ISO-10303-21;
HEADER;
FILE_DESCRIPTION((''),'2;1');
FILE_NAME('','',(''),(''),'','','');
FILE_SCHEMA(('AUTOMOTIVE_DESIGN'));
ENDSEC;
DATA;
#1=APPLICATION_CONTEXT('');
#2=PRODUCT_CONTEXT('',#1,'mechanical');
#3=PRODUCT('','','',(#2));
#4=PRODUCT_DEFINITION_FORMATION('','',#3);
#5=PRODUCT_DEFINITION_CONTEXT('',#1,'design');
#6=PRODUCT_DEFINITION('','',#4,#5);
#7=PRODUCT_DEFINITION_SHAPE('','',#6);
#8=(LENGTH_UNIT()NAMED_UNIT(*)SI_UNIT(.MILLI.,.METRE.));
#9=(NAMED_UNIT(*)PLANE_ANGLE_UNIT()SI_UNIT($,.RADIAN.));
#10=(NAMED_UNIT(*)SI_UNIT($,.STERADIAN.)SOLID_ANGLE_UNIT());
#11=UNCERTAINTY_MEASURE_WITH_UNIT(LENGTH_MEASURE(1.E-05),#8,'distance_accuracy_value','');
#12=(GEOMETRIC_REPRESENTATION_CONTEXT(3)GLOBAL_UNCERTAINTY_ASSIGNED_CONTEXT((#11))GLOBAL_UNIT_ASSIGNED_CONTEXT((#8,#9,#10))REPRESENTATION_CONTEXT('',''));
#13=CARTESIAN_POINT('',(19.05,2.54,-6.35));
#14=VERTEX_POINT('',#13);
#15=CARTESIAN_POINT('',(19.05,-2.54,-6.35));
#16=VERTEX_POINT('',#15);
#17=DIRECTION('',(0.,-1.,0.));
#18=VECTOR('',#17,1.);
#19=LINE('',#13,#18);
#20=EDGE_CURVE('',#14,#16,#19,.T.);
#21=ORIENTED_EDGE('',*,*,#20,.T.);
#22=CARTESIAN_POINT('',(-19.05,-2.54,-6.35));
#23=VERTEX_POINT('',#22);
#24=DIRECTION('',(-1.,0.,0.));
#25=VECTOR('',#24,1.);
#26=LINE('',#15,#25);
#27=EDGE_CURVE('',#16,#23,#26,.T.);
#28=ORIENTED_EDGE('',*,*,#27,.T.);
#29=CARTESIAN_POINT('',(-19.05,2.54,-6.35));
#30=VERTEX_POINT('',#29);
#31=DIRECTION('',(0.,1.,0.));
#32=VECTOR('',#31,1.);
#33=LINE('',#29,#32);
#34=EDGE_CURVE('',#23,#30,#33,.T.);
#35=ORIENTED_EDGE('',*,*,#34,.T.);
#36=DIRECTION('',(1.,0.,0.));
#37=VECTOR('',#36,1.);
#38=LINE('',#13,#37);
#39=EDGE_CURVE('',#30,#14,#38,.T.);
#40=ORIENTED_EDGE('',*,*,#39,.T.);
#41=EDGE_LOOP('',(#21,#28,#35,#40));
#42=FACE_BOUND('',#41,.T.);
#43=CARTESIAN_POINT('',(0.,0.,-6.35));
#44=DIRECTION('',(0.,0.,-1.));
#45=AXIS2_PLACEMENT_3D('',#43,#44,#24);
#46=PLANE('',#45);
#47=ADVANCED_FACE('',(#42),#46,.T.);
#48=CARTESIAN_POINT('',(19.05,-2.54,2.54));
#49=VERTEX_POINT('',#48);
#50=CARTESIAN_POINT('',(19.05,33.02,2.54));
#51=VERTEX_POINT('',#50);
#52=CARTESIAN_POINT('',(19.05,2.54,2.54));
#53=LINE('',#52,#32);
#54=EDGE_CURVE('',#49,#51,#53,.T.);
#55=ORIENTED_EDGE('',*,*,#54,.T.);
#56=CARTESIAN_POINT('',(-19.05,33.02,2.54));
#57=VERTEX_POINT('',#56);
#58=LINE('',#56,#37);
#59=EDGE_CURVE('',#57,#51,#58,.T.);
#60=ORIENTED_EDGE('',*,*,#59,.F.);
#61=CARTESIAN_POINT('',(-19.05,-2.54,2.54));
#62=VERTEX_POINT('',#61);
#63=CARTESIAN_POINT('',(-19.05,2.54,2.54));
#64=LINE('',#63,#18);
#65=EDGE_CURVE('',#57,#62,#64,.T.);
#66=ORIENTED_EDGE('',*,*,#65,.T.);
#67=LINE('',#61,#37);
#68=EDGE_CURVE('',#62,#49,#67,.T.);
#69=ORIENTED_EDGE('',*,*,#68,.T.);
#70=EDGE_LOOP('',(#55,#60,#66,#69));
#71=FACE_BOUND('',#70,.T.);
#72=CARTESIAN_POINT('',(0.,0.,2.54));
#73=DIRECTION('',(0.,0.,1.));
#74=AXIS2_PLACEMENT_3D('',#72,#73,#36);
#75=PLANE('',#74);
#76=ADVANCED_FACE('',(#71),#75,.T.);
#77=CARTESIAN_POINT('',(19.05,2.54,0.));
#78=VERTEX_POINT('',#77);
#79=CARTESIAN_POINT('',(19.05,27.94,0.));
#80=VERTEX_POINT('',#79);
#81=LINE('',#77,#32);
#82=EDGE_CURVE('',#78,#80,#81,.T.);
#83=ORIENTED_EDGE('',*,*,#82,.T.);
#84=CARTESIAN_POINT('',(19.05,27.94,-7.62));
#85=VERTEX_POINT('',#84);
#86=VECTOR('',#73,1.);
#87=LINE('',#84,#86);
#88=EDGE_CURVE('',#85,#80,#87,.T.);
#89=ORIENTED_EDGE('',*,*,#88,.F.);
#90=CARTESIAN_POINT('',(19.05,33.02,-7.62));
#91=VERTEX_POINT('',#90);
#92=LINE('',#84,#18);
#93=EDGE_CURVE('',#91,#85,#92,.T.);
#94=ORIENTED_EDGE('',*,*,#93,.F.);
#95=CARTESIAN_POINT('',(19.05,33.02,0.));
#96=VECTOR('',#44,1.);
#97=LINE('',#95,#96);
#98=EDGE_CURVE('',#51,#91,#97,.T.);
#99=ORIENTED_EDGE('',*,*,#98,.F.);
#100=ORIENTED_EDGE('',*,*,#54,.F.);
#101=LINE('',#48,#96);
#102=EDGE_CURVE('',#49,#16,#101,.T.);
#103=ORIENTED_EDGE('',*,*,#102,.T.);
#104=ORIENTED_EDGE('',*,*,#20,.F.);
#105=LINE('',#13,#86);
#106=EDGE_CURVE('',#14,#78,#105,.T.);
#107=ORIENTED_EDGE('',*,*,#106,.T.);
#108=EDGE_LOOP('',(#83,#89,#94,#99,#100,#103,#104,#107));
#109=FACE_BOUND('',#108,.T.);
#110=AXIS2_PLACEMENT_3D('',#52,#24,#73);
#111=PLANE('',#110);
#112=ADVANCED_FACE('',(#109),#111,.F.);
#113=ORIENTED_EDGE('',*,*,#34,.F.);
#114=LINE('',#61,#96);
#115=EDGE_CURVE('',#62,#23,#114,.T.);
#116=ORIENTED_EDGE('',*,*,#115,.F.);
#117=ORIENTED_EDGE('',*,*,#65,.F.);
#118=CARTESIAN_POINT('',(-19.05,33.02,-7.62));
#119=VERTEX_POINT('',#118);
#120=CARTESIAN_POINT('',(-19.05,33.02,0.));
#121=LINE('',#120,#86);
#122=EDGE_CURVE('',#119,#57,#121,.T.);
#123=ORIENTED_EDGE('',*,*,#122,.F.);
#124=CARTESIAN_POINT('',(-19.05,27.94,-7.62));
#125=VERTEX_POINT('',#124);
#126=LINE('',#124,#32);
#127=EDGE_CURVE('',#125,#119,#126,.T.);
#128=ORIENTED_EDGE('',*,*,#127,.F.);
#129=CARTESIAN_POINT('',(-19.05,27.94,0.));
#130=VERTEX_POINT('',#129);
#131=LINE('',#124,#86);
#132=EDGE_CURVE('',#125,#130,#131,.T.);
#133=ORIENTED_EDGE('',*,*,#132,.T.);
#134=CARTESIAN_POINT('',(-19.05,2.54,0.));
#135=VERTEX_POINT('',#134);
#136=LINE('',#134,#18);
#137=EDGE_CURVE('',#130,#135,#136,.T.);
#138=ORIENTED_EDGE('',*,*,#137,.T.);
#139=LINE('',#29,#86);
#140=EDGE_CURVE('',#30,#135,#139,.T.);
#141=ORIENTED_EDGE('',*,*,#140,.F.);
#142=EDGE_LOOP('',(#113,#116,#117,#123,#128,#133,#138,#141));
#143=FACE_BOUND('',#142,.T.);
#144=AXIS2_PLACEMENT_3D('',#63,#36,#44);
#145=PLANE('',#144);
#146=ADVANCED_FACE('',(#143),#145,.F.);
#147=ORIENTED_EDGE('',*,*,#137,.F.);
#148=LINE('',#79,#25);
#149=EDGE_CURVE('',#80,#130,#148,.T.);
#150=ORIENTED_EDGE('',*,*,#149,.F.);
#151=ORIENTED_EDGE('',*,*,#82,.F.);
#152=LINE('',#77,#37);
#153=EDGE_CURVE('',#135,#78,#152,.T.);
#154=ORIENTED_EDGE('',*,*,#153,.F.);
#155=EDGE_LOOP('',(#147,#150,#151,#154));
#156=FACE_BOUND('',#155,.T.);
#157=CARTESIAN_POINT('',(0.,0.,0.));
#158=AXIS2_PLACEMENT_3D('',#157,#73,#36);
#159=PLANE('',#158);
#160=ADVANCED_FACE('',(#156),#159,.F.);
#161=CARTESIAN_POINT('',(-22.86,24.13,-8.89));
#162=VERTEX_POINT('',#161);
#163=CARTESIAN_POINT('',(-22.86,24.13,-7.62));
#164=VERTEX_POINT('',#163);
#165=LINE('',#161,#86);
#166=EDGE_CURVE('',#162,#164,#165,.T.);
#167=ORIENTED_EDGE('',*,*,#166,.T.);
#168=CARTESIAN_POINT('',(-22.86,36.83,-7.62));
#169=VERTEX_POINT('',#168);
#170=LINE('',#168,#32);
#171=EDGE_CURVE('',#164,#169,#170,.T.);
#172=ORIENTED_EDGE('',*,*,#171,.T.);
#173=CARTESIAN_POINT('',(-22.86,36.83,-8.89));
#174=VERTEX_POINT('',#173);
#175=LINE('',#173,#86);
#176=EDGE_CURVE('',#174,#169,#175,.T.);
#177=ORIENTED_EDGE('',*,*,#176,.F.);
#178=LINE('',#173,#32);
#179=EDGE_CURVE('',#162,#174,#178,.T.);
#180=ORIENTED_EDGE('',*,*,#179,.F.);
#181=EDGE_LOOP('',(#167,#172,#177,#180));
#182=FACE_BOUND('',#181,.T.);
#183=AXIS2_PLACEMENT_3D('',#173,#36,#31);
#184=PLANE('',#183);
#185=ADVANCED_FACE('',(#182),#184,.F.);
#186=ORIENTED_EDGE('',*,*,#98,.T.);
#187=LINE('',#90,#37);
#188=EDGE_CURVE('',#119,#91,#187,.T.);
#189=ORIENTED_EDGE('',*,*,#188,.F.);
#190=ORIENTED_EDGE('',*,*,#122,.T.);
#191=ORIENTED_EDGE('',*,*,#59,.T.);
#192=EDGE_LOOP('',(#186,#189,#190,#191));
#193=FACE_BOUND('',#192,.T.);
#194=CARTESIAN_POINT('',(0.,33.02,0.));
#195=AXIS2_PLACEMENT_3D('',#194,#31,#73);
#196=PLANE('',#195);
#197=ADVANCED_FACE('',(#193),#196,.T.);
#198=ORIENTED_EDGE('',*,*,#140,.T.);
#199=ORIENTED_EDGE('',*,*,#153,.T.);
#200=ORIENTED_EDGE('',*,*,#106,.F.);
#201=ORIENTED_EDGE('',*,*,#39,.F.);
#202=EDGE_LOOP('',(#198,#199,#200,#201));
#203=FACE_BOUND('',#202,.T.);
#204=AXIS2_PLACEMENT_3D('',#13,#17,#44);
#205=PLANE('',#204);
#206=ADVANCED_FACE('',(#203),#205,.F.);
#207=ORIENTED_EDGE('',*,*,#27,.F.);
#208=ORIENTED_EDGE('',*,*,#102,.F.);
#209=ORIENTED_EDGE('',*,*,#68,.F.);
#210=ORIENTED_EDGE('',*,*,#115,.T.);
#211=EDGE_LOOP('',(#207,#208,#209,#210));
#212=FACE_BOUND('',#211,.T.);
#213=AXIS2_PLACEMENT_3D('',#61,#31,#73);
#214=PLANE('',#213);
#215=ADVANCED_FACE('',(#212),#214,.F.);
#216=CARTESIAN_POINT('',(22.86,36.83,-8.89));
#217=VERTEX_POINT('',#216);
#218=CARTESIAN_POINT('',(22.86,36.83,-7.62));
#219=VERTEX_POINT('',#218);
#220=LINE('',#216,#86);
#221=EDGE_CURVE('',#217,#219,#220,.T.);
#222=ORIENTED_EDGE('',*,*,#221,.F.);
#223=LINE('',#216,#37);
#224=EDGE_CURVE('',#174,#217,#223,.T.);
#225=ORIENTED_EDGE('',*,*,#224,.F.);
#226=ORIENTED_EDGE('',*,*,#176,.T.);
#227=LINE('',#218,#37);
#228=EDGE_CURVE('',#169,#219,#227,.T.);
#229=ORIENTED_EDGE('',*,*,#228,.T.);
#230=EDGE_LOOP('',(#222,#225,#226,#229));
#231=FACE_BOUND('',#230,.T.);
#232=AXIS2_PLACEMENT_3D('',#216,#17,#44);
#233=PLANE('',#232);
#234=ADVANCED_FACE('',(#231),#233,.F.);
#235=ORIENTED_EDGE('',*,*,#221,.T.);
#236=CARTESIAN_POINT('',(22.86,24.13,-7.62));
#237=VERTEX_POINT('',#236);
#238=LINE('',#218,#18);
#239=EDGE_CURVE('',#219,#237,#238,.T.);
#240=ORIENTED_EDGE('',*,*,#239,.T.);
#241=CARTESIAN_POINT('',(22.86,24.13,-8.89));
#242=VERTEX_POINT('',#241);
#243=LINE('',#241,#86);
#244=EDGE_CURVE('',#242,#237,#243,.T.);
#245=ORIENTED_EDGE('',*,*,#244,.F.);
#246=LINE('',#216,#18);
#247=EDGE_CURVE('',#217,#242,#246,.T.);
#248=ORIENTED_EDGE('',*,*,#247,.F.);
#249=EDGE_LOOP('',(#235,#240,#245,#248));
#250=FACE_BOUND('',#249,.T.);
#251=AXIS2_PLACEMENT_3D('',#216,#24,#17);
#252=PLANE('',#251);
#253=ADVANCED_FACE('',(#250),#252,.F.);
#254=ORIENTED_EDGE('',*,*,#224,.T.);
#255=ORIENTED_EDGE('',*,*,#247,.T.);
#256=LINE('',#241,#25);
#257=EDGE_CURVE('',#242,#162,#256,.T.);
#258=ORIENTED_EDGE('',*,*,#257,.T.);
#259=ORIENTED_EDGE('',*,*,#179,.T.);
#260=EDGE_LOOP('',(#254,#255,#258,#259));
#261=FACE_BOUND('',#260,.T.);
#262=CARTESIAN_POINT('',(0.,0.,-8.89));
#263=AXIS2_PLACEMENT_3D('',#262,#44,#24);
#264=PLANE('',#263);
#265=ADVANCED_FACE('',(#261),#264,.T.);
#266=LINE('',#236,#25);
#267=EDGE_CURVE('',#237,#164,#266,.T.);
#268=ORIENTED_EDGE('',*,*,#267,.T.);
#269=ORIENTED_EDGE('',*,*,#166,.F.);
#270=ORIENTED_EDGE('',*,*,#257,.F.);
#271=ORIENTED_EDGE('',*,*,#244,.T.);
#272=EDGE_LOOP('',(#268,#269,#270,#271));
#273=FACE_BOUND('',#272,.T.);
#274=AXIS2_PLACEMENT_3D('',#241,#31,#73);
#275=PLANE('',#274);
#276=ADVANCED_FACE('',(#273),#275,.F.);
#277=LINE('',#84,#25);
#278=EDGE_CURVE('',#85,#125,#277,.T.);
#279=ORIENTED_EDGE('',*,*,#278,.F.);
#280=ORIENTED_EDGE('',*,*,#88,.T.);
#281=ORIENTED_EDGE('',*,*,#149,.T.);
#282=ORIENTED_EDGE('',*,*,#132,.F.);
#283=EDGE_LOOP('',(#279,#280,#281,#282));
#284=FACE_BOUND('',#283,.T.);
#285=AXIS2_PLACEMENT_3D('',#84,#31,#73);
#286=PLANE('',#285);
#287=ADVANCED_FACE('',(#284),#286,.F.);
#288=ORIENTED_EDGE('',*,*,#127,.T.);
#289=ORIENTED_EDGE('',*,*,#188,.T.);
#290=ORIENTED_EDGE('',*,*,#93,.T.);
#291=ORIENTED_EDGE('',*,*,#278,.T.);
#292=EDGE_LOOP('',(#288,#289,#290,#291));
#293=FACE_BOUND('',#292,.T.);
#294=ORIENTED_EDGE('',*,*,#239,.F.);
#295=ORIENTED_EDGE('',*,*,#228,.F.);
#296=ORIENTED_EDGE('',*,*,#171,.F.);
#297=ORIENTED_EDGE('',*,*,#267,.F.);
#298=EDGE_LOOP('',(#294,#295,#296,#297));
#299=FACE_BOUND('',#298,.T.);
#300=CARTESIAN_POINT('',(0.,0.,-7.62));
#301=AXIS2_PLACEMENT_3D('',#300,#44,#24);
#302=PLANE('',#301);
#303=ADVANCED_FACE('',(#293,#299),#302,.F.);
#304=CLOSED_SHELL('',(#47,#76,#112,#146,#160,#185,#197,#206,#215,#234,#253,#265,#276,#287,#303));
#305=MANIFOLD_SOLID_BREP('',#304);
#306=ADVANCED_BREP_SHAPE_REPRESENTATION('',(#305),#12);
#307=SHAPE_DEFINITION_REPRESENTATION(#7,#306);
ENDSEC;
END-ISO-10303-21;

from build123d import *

# Parameters (mm, degrees)
SKETCH1_W           = 38.1
SKETCH1_H           = 5.08
BOSS_EXTRUDE1_DEPTH = 2.54
SKETCH2_W           = 38.1
SKETCH2_H           = 2.54
BOSS_EXTRUDE2_DEPTH = 30.48
SKETCH3_W           = 38.1
SKETCH3_H           = 5.08
BOSS_EXTRUDE3_DEPTH = 7.62
SKETCH4_W           = 38.1
SKETCH4_H           = 5.08
BOSS_EXTRUDE4_DEPTH = 6.35
SKETCH5_W           = 45.72
SKETCH5_H           = 12.7
BOSS_EXTRUDE5_DEPTH = 1.27


with BuildPart() as part:
    # Sketch1 → Boss-Extrude1 (new body)
    with BuildSketch(Plane.XY):
        Rectangle(SKETCH1_W, SKETCH1_H)
    extrude(amount=BOSS_EXTRUDE1_DEPTH)

    # Sketch2 → Boss-Extrude2 (add)
    with BuildSketch(Plane(origin=(0, 2.54, 0), x_dir=(1, 0, 0), z_dir=(0, 1, 0))):
        with Locations((0, -1.27)):
            Rectangle(SKETCH2_W, SKETCH2_H)
    extrude(amount=BOSS_EXTRUDE2_DEPTH)

    # Sketch3 → Boss-Extrude3 (add)
    with BuildSketch(Plane(origin=(0, 0, 0), x_dir=(-1, 0, 0), z_dir=(0, 0, -1))):
        with Locations((0, 30.48)):
            Rectangle(SKETCH3_W, SKETCH3_H)
    extrude(amount=BOSS_EXTRUDE3_DEPTH)

    # Sketch4 → Boss-Extrude4 (add)
    with BuildSketch(Plane(origin=(0, 0, 0), x_dir=(-1, 0, 0), z_dir=(0, 0, -1))):
        Rectangle(SKETCH4_W, SKETCH4_H)
    extrude(amount=BOSS_EXTRUDE4_DEPTH)

    # Sketch5 → Boss-Extrude5 (add)
    with BuildSketch(Plane(origin=(0, 0, -7.62), x_dir=(-1, 0, 0), z_dir=(0, 0, -1))):
        with Locations((0, 30.48)):
            Rectangle(SKETCH5_W, SKETCH5_H)
    extrude(amount=BOSS_EXTRUDE5_DEPTH)


solid = part.part
